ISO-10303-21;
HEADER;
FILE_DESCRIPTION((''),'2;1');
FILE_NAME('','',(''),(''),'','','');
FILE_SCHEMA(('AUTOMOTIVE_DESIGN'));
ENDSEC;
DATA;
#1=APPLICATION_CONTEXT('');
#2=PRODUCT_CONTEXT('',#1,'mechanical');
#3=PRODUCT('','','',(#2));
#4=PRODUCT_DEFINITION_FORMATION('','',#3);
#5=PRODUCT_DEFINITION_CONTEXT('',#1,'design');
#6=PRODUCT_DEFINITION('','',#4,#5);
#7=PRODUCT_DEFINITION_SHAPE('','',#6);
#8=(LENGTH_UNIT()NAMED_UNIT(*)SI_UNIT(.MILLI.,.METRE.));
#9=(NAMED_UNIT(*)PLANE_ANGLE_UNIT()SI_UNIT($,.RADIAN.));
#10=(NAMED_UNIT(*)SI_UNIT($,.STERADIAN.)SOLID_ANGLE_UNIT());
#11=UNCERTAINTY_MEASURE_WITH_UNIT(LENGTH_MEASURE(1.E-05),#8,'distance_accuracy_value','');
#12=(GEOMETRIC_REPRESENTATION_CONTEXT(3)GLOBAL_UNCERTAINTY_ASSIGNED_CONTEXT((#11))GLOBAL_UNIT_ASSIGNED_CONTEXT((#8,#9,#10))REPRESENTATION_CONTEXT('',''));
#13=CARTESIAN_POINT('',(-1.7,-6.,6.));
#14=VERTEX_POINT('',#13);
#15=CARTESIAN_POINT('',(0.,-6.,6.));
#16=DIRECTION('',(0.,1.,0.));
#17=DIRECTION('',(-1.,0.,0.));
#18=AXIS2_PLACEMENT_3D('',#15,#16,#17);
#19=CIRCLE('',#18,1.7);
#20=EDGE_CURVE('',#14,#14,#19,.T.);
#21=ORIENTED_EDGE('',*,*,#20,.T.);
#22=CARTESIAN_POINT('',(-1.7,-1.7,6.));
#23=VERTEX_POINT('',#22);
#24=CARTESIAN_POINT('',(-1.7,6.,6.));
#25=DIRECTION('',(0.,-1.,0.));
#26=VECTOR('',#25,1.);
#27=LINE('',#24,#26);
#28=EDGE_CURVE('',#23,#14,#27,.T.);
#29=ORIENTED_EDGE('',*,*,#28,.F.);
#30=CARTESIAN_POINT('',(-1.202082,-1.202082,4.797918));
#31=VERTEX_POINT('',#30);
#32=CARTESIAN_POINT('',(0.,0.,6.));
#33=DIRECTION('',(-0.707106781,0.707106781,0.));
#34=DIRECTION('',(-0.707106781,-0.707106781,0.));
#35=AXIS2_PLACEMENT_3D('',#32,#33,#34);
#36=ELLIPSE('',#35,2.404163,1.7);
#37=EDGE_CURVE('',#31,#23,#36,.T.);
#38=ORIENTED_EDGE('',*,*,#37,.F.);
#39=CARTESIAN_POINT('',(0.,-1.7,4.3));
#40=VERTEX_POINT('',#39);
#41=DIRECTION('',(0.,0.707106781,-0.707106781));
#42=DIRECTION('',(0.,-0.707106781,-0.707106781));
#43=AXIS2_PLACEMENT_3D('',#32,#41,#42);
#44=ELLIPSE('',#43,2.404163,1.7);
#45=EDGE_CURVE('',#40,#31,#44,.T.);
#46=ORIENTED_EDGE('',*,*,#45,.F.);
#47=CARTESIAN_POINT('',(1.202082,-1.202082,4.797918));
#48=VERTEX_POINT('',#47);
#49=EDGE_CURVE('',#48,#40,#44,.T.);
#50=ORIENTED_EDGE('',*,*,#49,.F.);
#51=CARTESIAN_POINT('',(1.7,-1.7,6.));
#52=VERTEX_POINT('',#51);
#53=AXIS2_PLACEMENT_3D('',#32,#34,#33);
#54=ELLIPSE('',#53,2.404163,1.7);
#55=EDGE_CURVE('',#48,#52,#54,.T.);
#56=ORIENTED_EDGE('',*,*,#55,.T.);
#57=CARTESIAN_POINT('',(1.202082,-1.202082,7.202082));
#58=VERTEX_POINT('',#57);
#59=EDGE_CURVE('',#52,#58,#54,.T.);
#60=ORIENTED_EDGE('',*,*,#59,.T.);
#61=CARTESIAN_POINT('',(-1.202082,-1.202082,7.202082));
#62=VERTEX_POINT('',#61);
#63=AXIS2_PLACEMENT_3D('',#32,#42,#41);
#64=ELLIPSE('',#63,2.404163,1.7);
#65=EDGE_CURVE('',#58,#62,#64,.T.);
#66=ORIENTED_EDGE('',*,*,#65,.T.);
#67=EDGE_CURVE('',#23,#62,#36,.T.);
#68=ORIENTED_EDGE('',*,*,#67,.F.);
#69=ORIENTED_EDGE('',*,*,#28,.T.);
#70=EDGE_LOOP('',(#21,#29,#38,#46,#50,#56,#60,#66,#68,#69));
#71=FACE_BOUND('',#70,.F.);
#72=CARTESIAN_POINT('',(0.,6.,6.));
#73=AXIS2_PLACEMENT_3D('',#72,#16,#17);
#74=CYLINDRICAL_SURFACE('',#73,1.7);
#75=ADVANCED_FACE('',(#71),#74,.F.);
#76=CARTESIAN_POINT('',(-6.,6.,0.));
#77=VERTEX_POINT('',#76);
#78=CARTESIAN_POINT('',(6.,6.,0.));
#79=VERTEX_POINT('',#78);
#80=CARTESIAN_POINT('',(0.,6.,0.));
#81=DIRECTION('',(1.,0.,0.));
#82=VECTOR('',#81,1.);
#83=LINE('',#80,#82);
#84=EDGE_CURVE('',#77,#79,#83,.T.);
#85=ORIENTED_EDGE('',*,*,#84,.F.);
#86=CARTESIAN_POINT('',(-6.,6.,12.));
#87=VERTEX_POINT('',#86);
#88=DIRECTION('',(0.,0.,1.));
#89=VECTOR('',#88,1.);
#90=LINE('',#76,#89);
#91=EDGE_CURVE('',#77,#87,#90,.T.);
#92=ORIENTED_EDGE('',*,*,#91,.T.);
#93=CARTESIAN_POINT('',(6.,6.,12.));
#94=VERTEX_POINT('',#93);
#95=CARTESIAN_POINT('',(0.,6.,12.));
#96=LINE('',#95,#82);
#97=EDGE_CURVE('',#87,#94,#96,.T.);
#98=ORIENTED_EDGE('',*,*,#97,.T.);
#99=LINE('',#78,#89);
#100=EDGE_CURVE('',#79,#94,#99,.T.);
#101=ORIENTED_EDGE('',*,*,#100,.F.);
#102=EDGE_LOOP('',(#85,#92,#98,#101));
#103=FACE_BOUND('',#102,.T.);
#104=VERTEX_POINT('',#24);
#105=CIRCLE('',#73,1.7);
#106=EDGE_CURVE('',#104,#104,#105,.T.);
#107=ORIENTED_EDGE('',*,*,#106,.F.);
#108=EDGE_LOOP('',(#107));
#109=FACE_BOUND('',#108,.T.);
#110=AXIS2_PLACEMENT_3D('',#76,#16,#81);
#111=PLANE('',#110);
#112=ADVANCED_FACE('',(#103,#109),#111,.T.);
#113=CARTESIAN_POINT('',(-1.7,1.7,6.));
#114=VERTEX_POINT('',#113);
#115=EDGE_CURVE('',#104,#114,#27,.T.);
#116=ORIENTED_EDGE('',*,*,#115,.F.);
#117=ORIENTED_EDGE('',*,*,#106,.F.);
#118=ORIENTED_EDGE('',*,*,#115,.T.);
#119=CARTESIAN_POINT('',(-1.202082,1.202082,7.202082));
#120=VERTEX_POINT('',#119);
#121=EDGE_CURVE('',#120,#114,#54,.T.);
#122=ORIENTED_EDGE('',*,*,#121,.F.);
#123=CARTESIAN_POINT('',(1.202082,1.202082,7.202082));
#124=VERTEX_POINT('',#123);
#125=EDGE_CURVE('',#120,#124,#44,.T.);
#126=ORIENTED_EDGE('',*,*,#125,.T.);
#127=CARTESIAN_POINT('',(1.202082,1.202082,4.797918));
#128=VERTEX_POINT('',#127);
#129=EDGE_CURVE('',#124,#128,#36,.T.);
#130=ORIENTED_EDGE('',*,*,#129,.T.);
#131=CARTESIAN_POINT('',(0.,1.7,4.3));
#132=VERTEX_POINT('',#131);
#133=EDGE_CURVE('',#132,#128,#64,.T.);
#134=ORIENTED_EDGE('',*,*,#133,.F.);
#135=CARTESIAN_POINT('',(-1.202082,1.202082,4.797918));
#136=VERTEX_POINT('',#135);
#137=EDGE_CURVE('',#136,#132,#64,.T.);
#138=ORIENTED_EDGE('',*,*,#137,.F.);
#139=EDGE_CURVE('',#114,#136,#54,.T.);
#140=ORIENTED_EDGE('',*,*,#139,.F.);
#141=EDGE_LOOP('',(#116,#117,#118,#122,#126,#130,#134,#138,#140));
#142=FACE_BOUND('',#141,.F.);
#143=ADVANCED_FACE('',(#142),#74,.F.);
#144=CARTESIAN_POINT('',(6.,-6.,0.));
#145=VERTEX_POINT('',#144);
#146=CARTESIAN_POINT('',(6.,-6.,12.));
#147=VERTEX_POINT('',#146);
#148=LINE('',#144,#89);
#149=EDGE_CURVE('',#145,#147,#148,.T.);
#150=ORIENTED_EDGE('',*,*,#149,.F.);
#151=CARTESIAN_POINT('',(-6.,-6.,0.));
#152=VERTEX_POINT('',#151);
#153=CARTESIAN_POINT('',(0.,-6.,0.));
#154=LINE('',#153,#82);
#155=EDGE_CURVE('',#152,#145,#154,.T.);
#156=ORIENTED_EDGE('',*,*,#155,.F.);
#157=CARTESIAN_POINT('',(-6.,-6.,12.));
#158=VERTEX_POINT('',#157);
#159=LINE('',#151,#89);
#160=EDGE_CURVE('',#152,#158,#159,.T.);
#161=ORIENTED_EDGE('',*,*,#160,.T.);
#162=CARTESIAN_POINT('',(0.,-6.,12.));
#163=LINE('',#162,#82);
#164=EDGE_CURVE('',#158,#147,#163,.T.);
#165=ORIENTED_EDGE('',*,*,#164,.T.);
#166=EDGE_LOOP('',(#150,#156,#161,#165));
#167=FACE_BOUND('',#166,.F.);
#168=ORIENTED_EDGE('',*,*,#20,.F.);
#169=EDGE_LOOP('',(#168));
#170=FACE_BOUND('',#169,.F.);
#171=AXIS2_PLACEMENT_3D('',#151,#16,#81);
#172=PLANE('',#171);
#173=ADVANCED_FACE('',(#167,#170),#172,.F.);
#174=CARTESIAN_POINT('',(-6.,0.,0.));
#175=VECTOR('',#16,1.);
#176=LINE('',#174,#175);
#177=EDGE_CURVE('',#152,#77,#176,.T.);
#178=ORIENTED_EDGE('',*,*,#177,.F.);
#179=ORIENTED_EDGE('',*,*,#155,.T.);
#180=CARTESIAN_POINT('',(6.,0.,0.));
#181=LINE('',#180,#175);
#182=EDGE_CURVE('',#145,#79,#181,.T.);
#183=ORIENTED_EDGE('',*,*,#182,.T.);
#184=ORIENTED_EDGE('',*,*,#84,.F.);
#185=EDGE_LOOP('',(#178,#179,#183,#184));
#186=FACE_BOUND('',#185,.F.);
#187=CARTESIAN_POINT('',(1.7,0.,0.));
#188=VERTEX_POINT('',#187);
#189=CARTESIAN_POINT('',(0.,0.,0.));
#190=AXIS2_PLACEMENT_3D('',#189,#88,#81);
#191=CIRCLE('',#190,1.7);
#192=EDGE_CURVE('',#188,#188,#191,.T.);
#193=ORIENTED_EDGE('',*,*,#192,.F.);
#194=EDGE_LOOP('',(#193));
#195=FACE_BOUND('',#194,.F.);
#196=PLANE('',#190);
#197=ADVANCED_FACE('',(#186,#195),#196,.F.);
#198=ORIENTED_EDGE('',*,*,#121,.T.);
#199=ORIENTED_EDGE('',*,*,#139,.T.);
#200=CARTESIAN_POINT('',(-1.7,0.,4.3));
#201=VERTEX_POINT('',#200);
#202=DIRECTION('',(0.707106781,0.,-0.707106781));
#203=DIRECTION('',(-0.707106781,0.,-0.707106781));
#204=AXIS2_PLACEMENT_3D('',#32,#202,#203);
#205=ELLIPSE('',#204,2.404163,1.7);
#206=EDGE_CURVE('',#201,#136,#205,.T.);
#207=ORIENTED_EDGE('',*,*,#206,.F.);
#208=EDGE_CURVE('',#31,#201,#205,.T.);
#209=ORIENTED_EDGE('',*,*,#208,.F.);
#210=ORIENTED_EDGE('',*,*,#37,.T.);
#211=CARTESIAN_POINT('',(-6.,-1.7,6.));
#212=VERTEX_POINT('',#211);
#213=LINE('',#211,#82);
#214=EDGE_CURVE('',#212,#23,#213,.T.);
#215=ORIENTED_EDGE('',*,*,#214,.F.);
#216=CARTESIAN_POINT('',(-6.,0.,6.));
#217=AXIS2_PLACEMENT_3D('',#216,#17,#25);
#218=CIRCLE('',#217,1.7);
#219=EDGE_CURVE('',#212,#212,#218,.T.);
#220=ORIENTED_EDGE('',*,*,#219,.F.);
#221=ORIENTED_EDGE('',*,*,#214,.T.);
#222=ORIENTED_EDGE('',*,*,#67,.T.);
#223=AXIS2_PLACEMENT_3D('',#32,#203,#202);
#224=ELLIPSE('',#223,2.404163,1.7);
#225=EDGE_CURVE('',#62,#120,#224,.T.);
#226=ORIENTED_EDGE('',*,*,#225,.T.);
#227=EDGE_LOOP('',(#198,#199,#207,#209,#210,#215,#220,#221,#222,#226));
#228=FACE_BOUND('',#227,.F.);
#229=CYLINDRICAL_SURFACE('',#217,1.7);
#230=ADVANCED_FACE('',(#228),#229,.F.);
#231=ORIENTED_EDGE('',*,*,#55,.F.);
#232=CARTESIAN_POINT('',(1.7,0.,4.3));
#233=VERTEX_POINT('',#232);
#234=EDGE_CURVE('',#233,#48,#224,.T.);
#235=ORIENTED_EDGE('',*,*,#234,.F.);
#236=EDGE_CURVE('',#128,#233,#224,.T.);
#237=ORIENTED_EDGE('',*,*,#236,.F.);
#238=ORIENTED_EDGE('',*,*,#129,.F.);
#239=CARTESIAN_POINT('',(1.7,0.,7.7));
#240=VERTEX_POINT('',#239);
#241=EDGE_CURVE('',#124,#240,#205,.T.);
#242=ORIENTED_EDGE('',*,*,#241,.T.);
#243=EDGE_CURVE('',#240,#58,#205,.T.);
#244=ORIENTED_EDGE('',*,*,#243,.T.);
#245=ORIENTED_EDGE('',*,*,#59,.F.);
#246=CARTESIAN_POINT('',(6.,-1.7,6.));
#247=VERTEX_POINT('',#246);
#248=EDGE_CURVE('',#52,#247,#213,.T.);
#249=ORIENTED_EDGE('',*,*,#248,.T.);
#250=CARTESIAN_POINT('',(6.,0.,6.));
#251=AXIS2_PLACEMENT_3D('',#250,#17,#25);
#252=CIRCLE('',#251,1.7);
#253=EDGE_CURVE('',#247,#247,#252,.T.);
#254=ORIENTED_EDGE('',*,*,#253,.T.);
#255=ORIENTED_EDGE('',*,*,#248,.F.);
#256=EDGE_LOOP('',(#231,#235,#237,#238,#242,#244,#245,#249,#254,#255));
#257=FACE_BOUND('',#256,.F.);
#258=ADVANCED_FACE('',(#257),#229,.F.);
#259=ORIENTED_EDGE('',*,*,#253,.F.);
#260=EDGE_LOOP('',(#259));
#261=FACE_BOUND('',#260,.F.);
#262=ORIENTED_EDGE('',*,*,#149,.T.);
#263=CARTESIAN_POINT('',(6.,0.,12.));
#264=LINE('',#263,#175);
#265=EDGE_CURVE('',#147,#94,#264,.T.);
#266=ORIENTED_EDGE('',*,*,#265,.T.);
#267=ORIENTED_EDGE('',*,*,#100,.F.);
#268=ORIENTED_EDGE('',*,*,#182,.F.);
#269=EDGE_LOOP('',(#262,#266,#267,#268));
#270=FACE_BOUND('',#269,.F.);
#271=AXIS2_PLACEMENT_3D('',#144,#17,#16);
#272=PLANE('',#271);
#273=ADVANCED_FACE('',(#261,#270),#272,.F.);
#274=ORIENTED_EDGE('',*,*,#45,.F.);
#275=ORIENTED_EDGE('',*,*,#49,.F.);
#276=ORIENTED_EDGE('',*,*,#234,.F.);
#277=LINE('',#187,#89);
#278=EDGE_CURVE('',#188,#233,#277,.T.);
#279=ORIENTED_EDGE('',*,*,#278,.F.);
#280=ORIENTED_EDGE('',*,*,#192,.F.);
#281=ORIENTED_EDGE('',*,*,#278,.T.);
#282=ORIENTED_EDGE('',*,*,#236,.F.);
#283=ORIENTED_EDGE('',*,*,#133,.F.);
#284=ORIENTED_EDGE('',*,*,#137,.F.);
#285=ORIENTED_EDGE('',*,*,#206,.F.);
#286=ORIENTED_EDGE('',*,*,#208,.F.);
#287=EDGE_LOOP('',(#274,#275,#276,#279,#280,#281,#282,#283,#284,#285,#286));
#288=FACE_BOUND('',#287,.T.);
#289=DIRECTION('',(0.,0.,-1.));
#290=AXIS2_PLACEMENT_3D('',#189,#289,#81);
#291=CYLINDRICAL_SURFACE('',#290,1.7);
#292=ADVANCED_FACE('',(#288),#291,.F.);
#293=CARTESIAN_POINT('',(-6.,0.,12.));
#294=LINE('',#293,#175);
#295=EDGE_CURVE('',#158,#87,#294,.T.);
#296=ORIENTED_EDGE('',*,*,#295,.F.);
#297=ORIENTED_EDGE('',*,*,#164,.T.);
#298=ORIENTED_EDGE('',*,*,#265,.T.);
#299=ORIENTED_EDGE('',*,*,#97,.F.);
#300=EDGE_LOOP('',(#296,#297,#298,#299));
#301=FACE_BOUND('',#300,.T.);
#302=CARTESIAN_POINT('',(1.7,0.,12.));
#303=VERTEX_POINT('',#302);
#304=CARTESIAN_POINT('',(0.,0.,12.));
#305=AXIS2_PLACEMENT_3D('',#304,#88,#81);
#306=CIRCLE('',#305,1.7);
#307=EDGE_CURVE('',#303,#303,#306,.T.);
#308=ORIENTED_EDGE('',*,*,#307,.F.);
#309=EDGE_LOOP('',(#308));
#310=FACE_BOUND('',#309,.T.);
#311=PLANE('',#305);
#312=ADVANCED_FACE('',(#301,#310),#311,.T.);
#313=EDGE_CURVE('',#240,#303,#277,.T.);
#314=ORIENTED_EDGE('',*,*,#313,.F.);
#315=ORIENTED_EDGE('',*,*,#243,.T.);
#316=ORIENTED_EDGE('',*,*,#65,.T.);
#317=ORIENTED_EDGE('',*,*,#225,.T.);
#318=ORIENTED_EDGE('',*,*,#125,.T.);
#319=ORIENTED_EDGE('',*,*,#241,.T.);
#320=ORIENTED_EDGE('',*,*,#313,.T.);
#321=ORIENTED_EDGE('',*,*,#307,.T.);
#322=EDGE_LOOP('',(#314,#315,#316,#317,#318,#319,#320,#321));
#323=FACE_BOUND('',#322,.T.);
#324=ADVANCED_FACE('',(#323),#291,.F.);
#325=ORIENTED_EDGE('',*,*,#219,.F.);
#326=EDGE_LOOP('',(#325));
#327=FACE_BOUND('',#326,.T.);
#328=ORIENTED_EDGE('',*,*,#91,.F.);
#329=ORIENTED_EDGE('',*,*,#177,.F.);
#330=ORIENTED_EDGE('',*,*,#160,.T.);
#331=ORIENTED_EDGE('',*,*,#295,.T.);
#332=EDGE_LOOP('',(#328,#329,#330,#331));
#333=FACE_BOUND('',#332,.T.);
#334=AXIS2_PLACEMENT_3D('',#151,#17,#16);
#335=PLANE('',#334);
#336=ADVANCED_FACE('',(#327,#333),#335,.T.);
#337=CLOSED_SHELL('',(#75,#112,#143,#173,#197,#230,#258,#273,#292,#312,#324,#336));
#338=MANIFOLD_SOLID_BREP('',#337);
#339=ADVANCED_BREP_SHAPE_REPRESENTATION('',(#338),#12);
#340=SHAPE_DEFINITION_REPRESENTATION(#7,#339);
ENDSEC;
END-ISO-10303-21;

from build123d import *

# Parameters (mm, degrees)
F0_W     = 12
F0_H     = 12
F0_R     = 1.7
F1_DEPTH = 12
F2_R     = 1.7
F3_DEPTH = 12
F4_R     = 1.7
F5_DEPTH = 12


with BuildPart() as f1:
    # F0 (on Top) → F1 (new body)
    with BuildSketch(Plane.XY):
        Rectangle(F0_W, F0_H)
        Circle(F0_R, mode=Mode.SUBTRACT)
    extrude(amount=F1_DEPTH)

    # F2 (on face) → F3 (cut)
    with BuildSketch(Plane(origin=(-6, 0, 0), x_dir=(0, -1, 0), z_dir=(-1, 0, 0))):
        with Locations((0, 6)):
            Circle(F2_R)
    extrude(amount=-F3_DEPTH, mode=Mode.SUBTRACT)

    # F4 (on face) → F5 (cut)
    with BuildSketch(Plane(origin=(0, 6, 0), x_dir=(-1, 0, 0), z_dir=(0, 1, 0))):
        with Locations((0, 6)):
            Circle(F4_R)
    extrude(amount=-F5_DEPTH, mode=Mode.SUBTRACT)


solid = f1.part
